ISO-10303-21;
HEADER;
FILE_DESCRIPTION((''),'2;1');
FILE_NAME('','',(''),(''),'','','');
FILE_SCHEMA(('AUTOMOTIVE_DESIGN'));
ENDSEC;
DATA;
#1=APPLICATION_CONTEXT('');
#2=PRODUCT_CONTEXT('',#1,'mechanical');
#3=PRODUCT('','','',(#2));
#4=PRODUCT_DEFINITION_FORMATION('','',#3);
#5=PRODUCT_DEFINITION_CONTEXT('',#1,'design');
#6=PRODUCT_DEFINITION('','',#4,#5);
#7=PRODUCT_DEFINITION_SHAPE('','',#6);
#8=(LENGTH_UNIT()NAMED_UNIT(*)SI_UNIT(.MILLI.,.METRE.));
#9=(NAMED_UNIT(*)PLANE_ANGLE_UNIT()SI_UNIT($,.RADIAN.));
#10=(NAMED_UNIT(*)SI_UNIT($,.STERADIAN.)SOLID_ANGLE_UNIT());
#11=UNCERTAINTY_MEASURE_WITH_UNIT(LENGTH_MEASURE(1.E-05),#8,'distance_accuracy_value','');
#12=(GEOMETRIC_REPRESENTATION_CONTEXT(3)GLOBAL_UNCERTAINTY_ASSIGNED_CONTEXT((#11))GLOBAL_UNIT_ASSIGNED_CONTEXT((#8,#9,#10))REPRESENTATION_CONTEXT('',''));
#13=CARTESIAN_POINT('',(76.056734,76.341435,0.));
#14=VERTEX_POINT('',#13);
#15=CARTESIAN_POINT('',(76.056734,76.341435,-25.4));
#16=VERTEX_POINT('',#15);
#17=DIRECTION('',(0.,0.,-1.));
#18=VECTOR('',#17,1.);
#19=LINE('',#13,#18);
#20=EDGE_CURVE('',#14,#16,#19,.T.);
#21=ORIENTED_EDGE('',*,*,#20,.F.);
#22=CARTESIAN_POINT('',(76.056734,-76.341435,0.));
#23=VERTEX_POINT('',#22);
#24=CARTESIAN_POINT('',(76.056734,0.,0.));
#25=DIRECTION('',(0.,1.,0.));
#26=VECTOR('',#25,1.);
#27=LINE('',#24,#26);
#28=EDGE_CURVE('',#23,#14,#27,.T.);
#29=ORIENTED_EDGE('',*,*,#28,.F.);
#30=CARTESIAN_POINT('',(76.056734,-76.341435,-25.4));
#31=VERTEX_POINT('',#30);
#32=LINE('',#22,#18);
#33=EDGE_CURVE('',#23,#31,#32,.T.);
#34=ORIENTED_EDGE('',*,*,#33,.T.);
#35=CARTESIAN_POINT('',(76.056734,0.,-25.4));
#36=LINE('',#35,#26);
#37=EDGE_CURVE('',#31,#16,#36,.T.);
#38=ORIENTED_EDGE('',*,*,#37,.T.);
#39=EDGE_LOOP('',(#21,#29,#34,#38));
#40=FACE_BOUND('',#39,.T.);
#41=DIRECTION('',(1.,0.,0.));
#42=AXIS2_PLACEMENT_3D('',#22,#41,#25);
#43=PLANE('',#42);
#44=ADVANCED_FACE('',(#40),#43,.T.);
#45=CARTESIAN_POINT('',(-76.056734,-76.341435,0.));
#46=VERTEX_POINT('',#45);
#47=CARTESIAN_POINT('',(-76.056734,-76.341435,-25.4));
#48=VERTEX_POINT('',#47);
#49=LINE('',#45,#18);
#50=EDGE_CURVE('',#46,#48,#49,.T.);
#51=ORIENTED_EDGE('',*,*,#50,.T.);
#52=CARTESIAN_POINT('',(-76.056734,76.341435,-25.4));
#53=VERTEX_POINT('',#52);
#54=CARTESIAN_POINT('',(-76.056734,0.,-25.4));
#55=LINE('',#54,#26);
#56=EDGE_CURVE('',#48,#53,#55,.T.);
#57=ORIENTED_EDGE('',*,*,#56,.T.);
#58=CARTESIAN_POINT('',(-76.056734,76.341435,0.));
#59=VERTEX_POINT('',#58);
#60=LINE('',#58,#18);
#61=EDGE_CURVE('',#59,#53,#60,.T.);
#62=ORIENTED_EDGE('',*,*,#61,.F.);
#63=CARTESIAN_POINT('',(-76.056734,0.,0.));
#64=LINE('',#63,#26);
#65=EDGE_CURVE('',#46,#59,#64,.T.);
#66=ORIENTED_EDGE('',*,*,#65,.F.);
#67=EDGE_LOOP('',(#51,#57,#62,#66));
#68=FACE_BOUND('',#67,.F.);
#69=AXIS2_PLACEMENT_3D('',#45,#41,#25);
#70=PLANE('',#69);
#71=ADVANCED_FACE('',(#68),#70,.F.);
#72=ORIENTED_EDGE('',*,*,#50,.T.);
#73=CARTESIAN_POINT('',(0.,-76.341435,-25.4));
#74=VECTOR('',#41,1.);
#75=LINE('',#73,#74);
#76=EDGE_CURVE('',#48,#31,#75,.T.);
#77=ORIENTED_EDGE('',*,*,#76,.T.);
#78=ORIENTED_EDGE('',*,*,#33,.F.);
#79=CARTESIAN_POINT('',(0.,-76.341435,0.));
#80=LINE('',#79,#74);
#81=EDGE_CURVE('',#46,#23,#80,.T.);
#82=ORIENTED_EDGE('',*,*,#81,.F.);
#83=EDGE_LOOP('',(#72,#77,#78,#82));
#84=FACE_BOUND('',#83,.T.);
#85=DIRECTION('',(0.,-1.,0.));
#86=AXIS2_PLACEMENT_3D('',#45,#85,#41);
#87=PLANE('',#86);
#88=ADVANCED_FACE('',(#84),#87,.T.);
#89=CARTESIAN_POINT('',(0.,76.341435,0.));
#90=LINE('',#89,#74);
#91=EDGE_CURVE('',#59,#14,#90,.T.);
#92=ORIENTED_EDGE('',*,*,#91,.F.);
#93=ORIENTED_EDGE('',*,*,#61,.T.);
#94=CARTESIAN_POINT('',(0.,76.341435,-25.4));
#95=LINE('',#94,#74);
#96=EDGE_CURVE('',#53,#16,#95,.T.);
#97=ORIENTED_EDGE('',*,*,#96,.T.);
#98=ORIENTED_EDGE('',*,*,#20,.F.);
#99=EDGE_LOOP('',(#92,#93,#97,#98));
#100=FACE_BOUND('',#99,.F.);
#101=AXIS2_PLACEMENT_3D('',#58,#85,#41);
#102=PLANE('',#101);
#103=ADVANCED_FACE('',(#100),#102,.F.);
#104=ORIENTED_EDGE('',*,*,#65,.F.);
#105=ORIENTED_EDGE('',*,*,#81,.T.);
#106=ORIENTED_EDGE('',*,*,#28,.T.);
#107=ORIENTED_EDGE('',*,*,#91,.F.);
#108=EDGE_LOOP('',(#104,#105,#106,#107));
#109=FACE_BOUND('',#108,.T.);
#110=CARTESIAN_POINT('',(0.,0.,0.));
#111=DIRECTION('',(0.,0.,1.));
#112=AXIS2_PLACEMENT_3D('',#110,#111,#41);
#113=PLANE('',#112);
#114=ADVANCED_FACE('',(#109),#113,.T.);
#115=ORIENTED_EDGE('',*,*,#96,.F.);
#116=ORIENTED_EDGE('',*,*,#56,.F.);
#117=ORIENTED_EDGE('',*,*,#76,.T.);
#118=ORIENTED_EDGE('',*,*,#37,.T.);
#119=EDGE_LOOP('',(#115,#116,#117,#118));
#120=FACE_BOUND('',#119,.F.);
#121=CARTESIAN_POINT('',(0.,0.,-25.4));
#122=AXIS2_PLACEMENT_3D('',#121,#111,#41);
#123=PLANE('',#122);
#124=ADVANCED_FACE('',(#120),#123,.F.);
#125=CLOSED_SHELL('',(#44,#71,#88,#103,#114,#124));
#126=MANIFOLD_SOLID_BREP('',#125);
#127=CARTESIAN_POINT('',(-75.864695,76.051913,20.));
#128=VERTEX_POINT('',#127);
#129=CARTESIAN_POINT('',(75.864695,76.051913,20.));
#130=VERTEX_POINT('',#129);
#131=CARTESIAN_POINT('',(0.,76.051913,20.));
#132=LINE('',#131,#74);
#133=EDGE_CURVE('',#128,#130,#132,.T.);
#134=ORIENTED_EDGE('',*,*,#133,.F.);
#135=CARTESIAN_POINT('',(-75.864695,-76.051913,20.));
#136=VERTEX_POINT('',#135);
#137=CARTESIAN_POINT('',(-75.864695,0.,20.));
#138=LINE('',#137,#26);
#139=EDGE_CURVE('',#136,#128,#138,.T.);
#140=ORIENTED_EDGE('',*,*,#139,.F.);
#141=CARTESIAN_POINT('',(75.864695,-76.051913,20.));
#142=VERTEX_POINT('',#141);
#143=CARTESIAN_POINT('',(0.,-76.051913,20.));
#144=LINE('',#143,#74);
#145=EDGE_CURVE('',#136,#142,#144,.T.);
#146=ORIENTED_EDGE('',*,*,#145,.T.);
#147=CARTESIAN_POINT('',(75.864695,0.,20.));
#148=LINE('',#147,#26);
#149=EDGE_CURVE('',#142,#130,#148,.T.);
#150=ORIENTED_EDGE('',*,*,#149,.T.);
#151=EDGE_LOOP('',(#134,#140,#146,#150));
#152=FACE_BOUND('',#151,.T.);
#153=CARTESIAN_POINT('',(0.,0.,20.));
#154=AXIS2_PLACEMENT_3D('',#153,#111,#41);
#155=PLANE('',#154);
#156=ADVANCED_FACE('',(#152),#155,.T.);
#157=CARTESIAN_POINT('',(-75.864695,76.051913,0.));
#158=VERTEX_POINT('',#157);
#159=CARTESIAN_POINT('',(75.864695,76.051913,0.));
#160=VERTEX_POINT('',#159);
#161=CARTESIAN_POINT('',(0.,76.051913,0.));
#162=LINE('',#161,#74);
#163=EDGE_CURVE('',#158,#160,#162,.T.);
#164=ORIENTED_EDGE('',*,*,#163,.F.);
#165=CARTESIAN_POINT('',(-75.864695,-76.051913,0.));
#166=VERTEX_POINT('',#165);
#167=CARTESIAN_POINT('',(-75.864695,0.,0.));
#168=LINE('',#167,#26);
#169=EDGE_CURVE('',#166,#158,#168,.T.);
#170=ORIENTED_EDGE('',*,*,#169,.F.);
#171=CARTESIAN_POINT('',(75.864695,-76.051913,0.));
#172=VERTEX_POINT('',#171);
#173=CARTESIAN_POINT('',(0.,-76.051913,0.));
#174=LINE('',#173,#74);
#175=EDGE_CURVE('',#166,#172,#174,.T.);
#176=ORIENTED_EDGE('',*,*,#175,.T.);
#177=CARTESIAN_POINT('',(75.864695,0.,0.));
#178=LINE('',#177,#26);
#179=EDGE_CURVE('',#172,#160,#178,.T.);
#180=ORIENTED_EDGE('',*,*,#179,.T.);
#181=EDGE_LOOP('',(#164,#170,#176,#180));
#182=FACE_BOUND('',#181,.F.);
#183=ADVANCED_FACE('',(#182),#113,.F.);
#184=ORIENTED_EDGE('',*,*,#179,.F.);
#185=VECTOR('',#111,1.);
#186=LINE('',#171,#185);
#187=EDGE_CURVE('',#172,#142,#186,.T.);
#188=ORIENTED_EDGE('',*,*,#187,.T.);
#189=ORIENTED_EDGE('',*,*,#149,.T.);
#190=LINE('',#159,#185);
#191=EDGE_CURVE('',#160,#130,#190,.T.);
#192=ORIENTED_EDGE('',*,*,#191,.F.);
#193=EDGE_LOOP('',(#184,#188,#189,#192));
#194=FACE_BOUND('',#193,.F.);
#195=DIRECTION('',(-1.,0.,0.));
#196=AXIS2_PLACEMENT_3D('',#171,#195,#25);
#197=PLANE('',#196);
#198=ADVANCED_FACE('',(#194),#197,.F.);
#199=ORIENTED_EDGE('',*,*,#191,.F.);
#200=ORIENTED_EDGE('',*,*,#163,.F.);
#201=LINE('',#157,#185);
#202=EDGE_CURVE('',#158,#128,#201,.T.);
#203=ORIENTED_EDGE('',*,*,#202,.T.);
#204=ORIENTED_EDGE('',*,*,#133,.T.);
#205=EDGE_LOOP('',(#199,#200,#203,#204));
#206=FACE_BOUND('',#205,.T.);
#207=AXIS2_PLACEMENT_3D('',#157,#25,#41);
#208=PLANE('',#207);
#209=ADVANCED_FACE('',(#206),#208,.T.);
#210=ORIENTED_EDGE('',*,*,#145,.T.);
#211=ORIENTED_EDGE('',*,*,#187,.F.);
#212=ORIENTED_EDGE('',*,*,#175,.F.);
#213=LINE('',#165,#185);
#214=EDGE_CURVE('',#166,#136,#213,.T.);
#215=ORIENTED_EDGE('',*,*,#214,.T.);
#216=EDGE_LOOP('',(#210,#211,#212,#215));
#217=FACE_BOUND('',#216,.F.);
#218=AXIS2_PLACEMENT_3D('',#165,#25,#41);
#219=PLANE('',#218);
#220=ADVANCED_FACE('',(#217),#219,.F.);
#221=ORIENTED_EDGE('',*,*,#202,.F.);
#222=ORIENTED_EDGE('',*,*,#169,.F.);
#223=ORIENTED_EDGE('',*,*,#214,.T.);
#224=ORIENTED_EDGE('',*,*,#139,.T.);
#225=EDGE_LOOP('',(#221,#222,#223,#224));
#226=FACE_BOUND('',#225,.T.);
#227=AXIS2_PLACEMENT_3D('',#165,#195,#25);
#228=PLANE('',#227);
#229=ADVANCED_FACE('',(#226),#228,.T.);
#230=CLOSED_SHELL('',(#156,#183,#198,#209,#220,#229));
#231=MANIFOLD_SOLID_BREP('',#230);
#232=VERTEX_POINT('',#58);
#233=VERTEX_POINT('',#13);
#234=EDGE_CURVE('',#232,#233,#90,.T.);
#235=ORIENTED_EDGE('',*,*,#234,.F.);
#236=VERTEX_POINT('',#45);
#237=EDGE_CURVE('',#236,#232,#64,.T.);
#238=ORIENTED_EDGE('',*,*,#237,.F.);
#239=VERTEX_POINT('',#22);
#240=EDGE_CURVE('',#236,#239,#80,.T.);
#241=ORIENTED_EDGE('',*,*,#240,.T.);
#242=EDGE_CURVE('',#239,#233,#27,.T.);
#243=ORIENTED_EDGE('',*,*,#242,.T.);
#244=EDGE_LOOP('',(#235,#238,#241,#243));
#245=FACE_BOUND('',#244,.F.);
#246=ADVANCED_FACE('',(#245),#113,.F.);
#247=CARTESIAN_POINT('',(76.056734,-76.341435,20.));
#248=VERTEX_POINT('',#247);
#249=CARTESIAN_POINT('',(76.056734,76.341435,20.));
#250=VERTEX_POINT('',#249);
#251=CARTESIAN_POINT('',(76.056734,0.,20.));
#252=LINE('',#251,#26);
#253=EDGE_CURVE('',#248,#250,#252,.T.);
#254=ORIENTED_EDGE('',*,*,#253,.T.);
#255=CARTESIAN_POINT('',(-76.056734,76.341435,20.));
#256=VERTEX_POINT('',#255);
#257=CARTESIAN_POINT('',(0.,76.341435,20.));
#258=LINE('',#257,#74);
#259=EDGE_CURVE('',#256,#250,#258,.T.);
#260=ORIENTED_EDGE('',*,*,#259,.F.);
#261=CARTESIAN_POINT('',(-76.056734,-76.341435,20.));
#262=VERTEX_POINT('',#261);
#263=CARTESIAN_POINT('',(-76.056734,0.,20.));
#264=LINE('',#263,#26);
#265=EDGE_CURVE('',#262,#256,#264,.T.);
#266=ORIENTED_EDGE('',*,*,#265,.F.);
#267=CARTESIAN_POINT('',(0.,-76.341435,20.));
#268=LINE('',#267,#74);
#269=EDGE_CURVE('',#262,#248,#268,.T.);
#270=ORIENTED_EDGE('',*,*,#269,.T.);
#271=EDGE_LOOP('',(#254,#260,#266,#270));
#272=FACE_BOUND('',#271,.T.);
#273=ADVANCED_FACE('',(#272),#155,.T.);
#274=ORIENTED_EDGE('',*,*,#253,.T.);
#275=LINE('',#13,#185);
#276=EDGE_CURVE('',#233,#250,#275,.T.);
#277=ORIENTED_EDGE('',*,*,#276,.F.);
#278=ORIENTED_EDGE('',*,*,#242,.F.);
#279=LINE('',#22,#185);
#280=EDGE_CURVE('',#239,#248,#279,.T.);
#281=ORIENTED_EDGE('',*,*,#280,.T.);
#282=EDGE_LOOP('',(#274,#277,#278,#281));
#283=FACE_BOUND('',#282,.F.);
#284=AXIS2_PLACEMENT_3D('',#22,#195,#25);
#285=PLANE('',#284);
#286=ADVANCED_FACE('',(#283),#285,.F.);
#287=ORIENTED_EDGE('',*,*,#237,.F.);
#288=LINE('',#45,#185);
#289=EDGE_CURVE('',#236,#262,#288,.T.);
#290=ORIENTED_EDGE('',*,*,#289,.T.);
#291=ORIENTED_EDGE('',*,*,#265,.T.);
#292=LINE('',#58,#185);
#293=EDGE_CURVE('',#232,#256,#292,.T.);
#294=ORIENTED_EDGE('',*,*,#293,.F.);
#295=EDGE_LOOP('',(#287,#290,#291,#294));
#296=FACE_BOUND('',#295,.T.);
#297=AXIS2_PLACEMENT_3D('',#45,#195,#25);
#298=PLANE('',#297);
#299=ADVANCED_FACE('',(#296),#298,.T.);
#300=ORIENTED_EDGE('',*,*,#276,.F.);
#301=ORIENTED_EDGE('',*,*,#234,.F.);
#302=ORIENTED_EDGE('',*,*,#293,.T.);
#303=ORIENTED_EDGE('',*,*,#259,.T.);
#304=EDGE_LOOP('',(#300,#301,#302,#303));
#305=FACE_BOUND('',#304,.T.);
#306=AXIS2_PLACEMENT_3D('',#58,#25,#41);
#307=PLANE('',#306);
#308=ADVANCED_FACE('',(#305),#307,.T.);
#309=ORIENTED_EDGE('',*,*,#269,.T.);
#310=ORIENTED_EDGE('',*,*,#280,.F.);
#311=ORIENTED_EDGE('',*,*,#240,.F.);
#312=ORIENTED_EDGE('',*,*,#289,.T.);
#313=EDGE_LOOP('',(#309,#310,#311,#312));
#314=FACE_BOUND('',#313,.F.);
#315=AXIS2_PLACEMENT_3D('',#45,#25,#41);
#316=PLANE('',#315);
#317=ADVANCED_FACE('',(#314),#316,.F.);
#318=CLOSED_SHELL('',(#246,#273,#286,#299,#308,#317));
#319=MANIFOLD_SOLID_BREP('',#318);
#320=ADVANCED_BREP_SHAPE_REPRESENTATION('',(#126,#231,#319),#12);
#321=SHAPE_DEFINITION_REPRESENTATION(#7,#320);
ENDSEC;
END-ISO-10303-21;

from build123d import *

# Parameters (mm, degrees)
F1_W     = 152.1134674549
F1_H     = 152.6828706264
F2_DEPTH = 20
F0_W     = 151.7293900251
F0_H     = 152.1038264036
F3_DEPTH = 25.4


with BuildPart() as f2:
    # F1 (on face) → F2 (new body)
    with BuildSketch(Plane.XY):
        Rectangle(F1_W, F1_H)
    extrude(amount=F2_DEPTH)


with BuildPart() as f2b:
    # F0 (on Top) → F2, piece 2 (new body)
    with BuildSketch(Plane.XY):
        Rectangle(F0_W, F0_H)
    extrude(amount=F2_DEPTH)


with BuildPart() as f3:
    # F3 (new): a face of the model
    f3_faces = [f2.part.faces().sort_by_distance(p)[0] for p in [
        (0, 0, 0),
    ]]
    extrude(f3_faces, amount=F3_DEPTH)


solid = Compound([f2.part, f2b.part, f3.part])
